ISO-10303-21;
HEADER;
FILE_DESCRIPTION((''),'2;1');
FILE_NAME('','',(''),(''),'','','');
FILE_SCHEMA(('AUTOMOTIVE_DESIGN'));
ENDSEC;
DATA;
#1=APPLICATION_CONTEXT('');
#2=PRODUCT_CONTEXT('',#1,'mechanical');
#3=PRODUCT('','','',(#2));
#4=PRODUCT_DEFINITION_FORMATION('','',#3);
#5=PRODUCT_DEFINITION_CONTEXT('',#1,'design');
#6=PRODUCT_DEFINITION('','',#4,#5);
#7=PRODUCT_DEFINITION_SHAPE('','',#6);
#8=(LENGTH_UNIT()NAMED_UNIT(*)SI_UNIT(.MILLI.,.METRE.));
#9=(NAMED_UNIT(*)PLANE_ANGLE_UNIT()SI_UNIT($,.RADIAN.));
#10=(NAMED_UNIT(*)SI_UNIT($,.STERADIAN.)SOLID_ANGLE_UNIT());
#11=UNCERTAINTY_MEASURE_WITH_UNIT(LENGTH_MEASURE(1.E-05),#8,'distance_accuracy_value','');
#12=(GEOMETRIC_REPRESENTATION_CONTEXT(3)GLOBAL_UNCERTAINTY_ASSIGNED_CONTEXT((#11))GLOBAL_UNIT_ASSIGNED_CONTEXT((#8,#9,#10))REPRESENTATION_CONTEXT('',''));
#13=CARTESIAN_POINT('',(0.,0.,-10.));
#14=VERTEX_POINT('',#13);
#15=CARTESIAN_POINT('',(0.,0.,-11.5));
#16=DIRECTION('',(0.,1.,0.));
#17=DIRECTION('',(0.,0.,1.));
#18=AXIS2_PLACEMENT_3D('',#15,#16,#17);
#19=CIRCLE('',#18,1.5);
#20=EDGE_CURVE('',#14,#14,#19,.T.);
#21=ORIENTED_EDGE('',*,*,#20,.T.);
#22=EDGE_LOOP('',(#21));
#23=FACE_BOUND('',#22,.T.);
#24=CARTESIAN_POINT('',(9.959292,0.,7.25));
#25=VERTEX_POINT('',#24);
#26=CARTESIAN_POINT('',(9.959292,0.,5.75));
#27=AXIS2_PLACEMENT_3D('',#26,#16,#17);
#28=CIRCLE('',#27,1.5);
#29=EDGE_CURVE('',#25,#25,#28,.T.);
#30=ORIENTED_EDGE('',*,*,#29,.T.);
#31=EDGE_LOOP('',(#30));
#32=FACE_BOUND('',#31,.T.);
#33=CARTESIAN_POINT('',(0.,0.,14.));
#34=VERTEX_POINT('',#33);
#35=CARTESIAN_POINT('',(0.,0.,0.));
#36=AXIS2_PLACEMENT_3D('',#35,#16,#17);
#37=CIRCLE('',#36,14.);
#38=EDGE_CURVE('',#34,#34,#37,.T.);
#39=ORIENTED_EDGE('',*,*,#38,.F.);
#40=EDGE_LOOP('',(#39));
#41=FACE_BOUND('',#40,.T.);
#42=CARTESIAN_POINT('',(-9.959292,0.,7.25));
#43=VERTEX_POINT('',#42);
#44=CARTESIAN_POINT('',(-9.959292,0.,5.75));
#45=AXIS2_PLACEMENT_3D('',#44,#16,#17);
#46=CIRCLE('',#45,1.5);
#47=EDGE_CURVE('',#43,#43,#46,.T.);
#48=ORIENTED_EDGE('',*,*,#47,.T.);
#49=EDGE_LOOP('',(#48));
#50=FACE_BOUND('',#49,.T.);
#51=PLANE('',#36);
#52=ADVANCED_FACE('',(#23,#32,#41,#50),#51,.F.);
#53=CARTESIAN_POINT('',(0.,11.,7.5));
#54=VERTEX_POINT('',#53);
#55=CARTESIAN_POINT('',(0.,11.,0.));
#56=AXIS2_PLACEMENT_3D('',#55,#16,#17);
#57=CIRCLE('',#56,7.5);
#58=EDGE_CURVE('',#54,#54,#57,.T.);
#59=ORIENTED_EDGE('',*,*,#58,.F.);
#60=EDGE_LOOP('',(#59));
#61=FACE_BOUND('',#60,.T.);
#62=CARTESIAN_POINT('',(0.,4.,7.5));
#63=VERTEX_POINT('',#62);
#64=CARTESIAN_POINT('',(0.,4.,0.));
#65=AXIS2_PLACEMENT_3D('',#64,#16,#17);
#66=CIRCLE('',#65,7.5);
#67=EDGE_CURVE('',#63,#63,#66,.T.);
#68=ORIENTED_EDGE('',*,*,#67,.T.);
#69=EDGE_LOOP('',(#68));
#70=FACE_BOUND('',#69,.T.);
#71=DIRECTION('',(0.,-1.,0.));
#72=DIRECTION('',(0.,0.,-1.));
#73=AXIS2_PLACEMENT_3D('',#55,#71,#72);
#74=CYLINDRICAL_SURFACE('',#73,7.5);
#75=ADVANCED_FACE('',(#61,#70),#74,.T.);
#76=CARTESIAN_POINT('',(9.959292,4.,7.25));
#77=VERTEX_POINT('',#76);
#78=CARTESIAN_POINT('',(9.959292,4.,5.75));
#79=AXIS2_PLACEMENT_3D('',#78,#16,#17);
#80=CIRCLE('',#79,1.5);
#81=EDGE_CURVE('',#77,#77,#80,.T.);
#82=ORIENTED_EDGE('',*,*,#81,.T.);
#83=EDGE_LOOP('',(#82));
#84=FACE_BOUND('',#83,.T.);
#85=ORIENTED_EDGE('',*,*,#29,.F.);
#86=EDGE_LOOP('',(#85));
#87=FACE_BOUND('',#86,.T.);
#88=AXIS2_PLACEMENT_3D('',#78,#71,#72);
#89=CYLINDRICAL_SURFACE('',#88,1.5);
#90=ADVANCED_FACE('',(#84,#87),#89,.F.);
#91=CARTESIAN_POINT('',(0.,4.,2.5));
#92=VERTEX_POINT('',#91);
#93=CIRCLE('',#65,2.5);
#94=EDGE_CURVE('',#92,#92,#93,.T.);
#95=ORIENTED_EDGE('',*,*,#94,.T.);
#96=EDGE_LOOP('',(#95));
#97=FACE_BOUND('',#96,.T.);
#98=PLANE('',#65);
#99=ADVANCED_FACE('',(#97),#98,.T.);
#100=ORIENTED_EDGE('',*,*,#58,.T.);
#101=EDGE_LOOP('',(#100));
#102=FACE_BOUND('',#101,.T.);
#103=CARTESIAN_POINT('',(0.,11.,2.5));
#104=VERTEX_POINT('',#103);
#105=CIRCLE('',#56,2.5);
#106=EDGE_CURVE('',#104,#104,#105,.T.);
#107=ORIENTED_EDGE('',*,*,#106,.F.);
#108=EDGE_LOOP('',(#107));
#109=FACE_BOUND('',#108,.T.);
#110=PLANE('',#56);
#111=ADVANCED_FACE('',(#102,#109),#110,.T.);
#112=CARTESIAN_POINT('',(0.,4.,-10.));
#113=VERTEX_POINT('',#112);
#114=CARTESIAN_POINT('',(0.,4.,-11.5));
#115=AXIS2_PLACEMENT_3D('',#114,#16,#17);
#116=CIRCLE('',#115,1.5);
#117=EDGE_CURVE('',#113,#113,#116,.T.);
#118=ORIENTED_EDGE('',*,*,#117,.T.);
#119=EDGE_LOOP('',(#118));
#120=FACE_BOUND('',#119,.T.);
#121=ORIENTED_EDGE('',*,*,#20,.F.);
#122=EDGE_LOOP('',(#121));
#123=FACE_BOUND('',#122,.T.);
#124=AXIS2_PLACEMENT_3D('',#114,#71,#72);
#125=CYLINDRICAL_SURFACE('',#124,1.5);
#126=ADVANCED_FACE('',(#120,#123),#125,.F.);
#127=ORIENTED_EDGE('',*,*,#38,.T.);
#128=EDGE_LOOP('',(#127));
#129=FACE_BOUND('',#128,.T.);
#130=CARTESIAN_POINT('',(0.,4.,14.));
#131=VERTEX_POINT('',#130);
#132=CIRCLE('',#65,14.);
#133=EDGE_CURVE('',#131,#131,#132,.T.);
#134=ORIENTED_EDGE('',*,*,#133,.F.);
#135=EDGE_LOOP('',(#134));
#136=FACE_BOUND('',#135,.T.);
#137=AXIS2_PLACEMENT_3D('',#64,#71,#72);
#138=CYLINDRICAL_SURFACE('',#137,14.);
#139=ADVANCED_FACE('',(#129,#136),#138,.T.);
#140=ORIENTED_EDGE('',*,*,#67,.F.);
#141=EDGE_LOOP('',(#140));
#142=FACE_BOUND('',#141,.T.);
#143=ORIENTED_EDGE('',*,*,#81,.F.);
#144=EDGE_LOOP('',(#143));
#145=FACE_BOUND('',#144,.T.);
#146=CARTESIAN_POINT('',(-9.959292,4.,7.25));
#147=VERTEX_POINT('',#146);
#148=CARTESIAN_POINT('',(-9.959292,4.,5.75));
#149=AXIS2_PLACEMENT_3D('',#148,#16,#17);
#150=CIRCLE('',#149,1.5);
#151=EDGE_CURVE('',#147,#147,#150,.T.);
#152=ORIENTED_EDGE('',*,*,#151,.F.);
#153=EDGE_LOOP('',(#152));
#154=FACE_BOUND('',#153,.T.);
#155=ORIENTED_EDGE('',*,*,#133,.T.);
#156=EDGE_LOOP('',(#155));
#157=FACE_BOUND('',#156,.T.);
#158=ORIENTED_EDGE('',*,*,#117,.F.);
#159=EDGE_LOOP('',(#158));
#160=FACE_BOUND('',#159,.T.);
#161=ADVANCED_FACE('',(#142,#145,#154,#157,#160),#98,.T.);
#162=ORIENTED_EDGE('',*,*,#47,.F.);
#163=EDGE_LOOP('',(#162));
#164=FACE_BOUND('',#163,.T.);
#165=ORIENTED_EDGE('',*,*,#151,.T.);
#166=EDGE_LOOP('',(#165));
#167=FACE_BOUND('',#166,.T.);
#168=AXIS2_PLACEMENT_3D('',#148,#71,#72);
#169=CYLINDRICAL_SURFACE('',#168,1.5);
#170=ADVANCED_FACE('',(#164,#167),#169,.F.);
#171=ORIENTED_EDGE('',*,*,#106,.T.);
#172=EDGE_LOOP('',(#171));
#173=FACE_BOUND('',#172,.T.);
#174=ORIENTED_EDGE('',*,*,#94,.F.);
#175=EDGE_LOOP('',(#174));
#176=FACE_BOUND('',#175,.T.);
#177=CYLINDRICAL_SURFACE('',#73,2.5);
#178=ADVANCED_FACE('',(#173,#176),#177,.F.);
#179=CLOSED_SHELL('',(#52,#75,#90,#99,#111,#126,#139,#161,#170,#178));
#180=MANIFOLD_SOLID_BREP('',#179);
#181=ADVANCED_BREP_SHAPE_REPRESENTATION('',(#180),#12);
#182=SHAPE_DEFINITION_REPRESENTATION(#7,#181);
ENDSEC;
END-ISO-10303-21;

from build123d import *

# Parameters (mm, degrees)
SKETCH_1_R      = 14
SKETCH_1_R_2    = 1.5
EXTRUDE_1_DEPTH = 4
SKETCH_2_R      = 7.5
SKETCH_2_R_2    = 2.5
EXTRUDE_2_DEPTH = 7


with BuildPart() as part:
    # 草图1 → 凸台-拉伸1 (new body)
    with BuildSketch(Plane(origin=(0, 0, 0), x_dir=(1, 0, 0), z_dir=(0, 1, 0))):
        with Locations(Location((0, 0, 0), (0, 0, 270))):
            Circle(SKETCH_1_R)
        with Locations(Location((0, 11.5, 0), (0, 0, 270))):
            Circle(SKETCH_1_R_2, mode=Mode.SUBTRACT)
        with Locations(Location((9.959292144, -5.75, 0), (0, 0, 270))):
            Circle(SKETCH_1_R_2, mode=Mode.SUBTRACT)
        with Locations(Location((-9.959292144, -5.75, 0), (0, 0, 270))):
            Circle(SKETCH_1_R_2, mode=Mode.SUBTRACT)
    extrude(amount=EXTRUDE_1_DEPTH)

    # 草图2 → 凸台-拉伸2 (add)
    with BuildSketch(Plane(origin=(0, 4, 0), x_dir=(1, 0, 0), z_dir=(0, 1, 0))):
        with Locations(Location((0, 0, 0), (0, 0, 270))):
            Circle(SKETCH_2_R)
        with Locations(Location((0, 0, 0), (0, 0, 270))):
            Circle(SKETCH_2_R_2, mode=Mode.SUBTRACT)
    extrude(amount=EXTRUDE_2_DEPTH)


solid = part.part
